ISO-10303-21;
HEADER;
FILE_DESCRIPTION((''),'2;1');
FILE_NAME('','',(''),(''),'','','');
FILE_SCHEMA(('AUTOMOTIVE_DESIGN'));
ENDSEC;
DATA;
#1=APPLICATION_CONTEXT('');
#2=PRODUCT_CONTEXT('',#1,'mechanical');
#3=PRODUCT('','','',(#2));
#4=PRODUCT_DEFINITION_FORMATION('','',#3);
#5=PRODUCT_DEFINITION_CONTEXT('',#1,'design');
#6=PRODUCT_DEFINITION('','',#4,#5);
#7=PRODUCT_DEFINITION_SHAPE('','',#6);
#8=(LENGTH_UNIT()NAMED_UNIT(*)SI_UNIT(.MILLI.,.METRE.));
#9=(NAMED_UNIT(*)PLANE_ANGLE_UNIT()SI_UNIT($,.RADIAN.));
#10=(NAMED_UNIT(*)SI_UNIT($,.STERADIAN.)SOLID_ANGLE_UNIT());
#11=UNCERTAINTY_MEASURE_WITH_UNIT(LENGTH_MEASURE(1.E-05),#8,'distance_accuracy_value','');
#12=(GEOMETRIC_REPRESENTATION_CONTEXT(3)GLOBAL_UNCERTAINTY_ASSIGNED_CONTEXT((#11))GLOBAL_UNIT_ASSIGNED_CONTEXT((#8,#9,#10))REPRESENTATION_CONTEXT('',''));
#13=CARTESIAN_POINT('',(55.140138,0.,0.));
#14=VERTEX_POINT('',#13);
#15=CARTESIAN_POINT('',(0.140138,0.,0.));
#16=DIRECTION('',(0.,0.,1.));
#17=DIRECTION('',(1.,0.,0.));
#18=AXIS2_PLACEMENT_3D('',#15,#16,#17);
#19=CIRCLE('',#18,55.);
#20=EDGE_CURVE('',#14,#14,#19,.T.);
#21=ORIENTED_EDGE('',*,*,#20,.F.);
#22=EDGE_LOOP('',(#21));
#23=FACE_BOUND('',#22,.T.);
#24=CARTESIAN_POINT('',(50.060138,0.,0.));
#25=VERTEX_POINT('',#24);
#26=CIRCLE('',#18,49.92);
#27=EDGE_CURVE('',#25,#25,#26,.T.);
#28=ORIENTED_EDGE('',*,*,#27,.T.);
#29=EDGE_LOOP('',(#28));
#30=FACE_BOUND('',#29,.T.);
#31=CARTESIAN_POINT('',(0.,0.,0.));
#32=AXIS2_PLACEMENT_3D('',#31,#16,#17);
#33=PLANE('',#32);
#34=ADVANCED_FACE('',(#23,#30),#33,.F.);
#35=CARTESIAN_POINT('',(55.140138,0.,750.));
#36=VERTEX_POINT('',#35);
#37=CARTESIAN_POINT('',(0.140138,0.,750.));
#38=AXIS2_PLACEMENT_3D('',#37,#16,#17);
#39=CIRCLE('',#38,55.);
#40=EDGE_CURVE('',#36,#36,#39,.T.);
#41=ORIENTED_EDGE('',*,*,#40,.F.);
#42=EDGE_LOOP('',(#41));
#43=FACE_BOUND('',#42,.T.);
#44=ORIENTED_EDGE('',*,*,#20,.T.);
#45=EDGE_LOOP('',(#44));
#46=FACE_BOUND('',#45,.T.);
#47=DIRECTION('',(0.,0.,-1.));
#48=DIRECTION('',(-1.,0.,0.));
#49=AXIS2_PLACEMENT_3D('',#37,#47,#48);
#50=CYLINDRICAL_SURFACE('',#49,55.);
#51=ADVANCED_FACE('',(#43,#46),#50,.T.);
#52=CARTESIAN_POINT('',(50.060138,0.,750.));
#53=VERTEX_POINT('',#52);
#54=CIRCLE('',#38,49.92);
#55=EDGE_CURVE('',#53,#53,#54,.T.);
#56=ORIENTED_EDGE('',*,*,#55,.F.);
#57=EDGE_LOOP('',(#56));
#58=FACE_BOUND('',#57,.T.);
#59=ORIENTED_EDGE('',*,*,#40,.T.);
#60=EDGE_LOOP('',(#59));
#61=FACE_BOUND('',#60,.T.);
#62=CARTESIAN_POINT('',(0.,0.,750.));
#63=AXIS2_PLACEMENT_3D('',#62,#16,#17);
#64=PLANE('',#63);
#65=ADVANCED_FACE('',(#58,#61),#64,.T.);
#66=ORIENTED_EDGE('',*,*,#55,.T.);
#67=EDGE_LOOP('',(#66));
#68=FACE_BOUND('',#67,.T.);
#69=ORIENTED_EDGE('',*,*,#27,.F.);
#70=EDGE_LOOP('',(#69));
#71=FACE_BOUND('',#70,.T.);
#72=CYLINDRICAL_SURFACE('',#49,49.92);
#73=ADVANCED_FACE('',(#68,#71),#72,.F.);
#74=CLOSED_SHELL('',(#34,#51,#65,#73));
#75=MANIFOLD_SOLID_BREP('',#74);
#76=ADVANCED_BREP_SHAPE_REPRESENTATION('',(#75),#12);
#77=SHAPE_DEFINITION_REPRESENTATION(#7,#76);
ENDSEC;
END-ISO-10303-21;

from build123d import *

# Parameters (mm, degrees)
SKETCH1_R        = 55
SKETCH1_R_2      = 49.92
EXTRUSION1_DEPTH = 750


with BuildPart() as part:
    # Sketch1 → Extrusion1 (new body)
    with BuildSketch(Plane.XY):
        with Locations((0.140137906, 0)):
            Circle(SKETCH1_R)
        with Locations((0.140137906, 0)):
            Circle(SKETCH1_R_2, mode=Mode.SUBTRACT)
    extrude(amount=EXTRUSION1_DEPTH)


solid = part.part
